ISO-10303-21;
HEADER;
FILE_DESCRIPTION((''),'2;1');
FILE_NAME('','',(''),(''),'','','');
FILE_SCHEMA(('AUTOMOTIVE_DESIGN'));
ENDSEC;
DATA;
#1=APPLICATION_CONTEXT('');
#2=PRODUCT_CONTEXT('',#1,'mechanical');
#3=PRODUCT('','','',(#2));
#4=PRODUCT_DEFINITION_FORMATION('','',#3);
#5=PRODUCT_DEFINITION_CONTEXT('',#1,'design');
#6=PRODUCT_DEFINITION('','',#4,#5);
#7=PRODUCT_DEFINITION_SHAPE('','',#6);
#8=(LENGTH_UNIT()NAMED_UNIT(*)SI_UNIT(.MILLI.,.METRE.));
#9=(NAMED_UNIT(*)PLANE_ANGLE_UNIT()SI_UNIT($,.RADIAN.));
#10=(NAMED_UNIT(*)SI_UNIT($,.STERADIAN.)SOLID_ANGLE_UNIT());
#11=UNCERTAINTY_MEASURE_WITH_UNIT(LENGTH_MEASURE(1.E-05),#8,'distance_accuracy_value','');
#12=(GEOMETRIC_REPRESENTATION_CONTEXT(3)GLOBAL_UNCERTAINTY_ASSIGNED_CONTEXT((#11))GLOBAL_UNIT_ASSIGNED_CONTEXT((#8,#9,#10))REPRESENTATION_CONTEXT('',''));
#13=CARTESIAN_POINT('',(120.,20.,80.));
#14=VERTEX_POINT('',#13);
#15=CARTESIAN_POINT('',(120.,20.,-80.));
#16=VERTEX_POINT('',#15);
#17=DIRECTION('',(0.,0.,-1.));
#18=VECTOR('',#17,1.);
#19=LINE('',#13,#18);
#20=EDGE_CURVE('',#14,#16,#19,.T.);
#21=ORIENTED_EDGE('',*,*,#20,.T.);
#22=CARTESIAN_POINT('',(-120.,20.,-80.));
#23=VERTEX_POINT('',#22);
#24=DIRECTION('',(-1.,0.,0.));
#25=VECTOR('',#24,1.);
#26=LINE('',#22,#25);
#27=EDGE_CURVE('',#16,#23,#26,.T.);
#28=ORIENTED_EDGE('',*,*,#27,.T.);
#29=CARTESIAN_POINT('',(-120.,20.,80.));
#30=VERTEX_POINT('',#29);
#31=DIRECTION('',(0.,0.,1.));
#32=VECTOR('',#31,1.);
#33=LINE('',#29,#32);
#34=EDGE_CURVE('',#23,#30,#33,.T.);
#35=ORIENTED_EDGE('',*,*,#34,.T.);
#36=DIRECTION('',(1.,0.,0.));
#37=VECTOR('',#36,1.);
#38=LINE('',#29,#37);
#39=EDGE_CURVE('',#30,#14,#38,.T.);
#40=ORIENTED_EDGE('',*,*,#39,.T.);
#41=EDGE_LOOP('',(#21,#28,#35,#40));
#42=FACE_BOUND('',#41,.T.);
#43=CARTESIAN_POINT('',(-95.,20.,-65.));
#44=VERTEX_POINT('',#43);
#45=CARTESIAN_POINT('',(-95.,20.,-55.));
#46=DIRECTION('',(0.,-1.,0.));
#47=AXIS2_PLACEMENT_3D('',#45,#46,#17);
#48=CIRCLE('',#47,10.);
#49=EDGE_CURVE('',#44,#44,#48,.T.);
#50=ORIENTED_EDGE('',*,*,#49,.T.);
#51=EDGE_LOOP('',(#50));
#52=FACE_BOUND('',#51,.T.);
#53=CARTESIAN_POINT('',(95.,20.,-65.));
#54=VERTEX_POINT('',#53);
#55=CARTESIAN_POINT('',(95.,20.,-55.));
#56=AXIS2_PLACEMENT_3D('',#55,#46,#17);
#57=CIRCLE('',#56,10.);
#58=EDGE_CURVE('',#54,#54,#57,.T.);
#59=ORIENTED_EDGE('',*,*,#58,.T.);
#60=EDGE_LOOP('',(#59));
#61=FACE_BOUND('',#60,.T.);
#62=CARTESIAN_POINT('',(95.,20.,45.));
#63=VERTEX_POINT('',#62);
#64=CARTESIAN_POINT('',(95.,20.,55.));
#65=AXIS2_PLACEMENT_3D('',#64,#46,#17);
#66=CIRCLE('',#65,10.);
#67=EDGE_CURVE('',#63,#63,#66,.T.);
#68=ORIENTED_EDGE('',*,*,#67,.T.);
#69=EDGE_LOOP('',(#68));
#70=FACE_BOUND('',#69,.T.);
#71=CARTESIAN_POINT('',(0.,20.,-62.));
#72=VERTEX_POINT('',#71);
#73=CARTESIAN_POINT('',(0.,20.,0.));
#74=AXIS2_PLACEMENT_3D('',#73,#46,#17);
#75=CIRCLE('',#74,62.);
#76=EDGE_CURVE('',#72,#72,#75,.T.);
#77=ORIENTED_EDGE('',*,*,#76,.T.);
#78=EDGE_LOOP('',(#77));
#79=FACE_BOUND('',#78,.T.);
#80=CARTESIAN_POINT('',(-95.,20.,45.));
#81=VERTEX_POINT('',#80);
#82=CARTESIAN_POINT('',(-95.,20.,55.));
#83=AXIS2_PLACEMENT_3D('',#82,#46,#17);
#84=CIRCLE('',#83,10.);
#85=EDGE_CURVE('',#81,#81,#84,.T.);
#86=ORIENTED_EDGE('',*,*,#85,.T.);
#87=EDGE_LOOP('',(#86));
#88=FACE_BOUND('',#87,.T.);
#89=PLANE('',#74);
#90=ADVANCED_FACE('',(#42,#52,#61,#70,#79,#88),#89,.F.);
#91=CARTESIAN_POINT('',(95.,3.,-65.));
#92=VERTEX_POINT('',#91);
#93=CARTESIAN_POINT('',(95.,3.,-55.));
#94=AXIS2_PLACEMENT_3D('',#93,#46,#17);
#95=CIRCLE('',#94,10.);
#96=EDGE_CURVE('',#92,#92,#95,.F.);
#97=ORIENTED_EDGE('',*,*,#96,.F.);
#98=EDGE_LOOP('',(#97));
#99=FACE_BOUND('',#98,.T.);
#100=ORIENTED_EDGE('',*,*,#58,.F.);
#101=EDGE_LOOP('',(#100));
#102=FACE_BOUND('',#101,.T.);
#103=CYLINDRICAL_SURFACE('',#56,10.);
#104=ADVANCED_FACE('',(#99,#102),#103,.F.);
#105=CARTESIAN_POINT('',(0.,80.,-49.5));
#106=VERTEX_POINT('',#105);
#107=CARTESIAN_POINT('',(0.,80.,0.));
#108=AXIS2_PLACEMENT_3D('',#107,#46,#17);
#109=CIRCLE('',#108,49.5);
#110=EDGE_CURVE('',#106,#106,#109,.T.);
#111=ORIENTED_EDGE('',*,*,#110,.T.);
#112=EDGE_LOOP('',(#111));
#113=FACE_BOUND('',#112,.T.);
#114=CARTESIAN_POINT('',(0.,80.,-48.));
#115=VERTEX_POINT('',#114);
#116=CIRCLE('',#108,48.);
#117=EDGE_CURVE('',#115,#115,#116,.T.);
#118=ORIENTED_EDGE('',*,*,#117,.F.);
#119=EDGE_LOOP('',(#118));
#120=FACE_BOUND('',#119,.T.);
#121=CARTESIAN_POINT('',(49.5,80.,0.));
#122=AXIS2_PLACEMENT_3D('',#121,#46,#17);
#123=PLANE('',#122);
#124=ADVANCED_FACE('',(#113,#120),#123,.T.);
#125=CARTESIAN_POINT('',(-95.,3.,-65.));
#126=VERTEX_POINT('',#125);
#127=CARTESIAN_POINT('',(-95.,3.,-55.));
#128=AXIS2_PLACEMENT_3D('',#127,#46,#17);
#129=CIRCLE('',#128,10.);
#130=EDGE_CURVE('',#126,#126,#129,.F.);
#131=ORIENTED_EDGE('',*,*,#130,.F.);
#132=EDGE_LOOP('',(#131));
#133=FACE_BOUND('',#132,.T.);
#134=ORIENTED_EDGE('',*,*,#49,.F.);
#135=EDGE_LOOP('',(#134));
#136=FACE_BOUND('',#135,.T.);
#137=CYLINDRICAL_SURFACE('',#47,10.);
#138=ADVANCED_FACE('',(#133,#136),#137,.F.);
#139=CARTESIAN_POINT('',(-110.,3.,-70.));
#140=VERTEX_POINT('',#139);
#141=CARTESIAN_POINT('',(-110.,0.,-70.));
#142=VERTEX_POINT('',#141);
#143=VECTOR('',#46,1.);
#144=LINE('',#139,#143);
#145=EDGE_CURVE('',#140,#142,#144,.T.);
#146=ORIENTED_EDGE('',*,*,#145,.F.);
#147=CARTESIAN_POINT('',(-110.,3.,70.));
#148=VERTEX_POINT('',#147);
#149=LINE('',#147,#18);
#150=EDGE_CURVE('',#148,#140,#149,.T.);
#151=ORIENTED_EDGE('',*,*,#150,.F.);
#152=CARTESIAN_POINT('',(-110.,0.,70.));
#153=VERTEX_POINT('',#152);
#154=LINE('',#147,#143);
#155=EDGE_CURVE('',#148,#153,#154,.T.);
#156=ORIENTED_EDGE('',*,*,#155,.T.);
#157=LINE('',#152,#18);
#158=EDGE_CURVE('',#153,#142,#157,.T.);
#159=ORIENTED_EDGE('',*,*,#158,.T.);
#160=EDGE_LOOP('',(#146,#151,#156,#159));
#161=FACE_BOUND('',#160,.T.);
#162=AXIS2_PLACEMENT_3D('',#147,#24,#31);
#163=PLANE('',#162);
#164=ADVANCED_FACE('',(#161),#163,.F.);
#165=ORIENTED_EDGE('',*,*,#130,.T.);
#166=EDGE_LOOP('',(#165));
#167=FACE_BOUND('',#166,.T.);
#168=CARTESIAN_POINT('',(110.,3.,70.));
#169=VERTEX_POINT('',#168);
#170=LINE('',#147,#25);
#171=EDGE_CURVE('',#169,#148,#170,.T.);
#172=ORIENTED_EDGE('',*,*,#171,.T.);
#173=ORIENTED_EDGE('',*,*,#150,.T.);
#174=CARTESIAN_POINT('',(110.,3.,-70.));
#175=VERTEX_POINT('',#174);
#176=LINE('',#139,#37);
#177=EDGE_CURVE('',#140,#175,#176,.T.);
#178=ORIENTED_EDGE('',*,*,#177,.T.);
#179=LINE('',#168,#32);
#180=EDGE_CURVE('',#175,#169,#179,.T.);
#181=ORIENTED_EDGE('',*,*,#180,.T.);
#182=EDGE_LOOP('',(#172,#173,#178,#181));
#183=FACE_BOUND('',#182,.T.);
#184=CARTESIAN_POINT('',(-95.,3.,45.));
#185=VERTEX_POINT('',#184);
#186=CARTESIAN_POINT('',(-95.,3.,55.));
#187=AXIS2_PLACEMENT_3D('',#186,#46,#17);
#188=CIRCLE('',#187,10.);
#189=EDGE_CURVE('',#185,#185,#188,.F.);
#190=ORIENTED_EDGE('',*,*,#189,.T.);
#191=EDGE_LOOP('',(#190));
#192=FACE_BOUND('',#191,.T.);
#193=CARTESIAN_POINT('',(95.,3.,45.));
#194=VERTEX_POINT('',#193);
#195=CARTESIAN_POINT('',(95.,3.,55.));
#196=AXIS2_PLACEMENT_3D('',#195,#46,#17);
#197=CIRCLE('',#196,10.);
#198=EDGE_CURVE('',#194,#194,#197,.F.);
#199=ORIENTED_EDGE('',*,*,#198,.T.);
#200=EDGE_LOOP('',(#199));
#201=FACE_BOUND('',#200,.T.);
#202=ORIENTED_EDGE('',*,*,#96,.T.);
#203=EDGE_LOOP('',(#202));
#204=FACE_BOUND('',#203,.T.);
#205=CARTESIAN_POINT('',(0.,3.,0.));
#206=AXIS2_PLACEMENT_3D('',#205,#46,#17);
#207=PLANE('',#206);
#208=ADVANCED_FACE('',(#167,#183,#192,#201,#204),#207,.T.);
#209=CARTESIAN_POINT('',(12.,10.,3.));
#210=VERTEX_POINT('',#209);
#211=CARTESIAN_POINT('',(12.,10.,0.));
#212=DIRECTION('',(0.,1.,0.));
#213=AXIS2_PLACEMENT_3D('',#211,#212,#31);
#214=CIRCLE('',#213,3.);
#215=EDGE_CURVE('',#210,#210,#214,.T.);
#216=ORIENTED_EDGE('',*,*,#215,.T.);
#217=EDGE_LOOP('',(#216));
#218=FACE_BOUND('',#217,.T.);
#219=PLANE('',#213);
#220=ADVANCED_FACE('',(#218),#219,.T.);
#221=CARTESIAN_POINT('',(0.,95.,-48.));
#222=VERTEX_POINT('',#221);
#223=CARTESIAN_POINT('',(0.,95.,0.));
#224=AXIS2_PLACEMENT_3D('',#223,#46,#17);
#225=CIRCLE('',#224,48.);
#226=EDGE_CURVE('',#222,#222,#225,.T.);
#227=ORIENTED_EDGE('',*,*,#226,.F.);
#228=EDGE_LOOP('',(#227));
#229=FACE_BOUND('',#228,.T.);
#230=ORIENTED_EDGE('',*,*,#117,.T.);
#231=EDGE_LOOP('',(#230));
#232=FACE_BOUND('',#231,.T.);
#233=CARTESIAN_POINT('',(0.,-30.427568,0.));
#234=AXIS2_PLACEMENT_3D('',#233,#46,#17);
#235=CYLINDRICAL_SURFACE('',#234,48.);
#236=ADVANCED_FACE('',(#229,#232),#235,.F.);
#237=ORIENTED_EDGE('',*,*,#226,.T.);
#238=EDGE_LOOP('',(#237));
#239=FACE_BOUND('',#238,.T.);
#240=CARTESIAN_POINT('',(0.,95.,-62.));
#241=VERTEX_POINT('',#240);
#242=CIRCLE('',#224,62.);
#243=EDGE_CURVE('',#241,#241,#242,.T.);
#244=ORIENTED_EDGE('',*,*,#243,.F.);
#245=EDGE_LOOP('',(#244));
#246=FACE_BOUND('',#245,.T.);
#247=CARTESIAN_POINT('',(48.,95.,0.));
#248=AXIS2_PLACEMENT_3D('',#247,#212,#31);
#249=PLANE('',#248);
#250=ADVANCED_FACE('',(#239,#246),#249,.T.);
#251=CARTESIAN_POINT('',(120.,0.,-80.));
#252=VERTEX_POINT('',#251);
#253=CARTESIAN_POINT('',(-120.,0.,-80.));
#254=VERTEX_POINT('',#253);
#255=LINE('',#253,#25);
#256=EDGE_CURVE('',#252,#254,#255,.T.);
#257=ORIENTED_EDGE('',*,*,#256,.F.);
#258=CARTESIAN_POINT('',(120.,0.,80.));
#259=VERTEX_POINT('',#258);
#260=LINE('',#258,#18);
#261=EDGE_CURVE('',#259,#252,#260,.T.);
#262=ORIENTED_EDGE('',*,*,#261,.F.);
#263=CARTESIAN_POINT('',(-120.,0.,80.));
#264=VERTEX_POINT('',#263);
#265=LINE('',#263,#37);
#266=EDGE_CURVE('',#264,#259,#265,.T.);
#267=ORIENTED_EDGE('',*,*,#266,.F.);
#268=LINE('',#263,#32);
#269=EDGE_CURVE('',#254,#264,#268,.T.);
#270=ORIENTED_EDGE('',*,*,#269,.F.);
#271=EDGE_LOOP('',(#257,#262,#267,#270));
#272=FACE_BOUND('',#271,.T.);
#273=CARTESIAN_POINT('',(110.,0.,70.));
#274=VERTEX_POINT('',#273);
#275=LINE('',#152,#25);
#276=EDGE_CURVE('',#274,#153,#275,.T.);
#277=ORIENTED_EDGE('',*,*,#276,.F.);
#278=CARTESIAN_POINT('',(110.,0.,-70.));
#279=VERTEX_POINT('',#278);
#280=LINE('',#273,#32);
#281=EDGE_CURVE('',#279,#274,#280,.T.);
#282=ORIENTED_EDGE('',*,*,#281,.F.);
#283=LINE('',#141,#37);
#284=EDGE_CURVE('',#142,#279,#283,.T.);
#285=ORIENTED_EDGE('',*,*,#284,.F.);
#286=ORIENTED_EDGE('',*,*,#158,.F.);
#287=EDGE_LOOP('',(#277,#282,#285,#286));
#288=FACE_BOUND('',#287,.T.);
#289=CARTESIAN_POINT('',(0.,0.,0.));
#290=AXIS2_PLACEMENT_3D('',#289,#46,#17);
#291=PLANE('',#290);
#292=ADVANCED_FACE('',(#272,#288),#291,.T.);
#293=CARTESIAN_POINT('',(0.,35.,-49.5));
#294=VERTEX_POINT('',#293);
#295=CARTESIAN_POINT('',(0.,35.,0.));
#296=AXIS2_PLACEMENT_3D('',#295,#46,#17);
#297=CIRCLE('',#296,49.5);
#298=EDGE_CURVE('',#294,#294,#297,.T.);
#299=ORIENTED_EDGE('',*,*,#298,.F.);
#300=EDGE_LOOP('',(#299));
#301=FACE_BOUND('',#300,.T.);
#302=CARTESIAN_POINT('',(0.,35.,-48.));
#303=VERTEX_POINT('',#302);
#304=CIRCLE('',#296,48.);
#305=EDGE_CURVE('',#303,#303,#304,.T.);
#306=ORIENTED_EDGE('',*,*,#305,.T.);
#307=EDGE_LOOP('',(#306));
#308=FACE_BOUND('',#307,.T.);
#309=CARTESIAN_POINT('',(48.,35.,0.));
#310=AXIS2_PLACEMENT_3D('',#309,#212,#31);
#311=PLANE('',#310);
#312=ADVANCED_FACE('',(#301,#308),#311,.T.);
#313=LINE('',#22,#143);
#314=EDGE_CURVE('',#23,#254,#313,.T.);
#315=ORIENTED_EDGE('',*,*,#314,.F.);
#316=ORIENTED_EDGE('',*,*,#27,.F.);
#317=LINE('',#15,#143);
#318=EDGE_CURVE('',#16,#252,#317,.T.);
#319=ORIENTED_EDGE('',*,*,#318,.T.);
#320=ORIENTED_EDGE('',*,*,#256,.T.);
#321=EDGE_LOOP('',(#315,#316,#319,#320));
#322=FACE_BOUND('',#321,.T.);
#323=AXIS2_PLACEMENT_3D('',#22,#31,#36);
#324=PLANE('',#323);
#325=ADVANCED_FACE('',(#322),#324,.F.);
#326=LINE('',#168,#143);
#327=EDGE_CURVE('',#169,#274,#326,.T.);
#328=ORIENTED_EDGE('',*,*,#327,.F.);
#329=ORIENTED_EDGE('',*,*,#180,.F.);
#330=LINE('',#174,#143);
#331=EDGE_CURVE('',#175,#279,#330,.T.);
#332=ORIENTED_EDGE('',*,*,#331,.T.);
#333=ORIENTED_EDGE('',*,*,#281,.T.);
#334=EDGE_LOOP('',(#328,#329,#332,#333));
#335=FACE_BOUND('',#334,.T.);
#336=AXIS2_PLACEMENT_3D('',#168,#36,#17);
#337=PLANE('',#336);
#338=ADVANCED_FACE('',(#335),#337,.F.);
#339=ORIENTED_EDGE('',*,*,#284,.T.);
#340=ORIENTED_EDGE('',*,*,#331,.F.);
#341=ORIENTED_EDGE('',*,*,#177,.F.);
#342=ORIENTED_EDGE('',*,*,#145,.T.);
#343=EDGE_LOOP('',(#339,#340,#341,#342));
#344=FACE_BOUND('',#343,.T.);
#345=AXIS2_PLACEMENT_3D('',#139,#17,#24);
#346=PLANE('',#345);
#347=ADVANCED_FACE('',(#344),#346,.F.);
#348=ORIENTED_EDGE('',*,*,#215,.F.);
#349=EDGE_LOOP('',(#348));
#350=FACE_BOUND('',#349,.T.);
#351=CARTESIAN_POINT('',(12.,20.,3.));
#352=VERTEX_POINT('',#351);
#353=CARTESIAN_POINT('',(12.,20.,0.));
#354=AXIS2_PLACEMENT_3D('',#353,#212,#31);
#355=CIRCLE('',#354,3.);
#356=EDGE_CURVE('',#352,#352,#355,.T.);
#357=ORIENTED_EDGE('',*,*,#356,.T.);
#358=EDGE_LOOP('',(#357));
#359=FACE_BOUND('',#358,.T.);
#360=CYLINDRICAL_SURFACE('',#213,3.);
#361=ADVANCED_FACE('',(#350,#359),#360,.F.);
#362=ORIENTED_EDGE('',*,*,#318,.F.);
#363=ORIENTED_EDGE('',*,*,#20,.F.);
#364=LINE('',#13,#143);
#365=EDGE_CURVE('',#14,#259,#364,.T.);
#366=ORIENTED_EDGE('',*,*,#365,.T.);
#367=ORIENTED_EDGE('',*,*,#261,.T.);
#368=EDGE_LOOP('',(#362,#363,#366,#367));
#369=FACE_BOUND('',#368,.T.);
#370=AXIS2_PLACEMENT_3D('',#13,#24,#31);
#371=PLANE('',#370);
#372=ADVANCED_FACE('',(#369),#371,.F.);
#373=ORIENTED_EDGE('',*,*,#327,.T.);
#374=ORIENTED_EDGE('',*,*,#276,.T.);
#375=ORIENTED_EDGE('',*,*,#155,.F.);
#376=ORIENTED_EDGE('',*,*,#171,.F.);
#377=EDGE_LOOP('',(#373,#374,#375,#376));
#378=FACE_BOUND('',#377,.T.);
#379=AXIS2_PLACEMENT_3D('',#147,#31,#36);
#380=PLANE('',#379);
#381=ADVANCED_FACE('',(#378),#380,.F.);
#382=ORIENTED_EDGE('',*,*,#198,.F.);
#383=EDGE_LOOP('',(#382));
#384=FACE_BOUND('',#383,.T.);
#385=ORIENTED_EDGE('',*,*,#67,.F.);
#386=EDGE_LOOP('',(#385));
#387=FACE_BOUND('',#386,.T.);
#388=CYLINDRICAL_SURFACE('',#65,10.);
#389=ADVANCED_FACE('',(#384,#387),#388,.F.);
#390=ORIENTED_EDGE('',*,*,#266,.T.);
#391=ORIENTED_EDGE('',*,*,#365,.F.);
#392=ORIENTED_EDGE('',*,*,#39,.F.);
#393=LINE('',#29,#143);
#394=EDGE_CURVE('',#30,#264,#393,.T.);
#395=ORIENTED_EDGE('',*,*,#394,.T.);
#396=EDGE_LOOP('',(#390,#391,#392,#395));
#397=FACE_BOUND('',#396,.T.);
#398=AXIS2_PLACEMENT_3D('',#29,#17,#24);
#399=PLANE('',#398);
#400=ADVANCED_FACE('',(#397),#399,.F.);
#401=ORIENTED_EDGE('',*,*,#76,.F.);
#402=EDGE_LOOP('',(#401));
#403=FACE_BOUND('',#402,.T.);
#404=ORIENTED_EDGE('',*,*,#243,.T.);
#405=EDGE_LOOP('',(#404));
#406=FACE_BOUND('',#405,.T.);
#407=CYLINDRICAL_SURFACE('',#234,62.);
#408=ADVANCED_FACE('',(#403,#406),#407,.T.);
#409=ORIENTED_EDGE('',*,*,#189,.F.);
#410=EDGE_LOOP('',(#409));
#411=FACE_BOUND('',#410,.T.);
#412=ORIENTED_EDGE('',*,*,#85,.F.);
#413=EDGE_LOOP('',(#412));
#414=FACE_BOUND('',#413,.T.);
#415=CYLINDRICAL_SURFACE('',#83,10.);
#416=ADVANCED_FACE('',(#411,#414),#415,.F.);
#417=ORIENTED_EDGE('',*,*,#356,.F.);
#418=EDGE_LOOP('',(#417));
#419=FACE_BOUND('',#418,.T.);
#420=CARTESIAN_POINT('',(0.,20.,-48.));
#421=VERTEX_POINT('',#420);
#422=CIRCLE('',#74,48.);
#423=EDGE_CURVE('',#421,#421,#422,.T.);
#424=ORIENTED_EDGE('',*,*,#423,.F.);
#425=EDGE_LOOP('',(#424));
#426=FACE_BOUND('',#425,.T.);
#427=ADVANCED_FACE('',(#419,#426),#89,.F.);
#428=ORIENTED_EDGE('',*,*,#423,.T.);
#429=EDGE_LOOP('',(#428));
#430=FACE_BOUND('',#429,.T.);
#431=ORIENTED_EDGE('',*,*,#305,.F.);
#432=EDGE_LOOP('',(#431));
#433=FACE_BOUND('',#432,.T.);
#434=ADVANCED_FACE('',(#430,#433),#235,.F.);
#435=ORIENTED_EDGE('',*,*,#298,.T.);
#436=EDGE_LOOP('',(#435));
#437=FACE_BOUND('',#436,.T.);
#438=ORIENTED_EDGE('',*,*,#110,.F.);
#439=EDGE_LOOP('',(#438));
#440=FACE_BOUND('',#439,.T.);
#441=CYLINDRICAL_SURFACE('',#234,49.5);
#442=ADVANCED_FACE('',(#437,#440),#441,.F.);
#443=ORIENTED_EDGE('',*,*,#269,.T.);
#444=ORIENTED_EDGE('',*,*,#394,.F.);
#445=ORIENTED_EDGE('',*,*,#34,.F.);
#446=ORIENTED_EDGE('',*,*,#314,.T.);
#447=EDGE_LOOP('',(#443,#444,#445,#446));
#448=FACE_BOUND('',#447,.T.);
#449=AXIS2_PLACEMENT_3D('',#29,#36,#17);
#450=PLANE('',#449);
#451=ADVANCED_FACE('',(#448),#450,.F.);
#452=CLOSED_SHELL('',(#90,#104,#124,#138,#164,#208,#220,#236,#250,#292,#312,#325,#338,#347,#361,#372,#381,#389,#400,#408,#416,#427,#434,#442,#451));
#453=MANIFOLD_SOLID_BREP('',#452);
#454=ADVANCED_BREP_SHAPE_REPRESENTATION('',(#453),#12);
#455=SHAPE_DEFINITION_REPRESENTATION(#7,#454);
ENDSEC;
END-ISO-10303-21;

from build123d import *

# Parameters (mm, degrees)
SKETCH1_W           = 240
SKETCH1_H           = 160
BOSS_EXTRUDE2_DEPTH = 20
SKETCH5_R           = 10
CUT_EXTRUDE2_DEPTH  = 20
SKETCH6_W           = 220
SKETCH6_H           = 140
CUT_EXTRUDE3_DEPTH  = 3
SKETCH9_R           = 3
CUT_EXTRUDE4_DEPTH  = 10


with BuildPart() as part:
    # Sketch1 → Boss-Extrude2 (new body)
    with BuildSketch(Plane(origin=(0, 0, 0), x_dir=(1, 0, 0), z_dir=(0, 1, 0))):
        Rectangle(SKETCH1_W, SKETCH1_H)
    extrude(amount=BOSS_EXTRUDE2_DEPTH)

    # Sketch3 → Revolve1 (revolve)
    with BuildSketch(Plane.XY):
        Polygon((48, 20), (48, 35), (49.5, 35), (49.5, 80), (48, 80), (48, 95), (62, 95), (62, 20), align=None)
    revolve(axis=Axis((0, -30.427567953, 0), (0, 1, 0)))

    # Sketch5 → Cut-Extrude2 (cut)
    with BuildSketch(Plane.XZ):
        with Locations((95, 55)):
            Circle(SKETCH5_R)
        with Locations((-95, 55)):
            Circle(SKETCH5_R)
        with Locations((-95, -55)):
            Circle(SKETCH5_R)
        with Locations((95, -55)):
            Circle(SKETCH5_R)
    extrude(amount=-CUT_EXTRUDE2_DEPTH, mode=Mode.SUBTRACT)

    # Sketch6 → Cut-Extrude3 (cut)
    with BuildSketch(Plane.XZ):
        Rectangle(SKETCH6_W, SKETCH6_H)
    extrude(amount=-CUT_EXTRUDE3_DEPTH, mode=Mode.SUBTRACT)

    # Sketch9 → Cut-Extrude4 (cut)
    with BuildSketch(Plane(origin=(0, 20, 0), x_dir=(1, 0, 0), z_dir=(0, 1, 0))):
        with Locations((12, 0)):
            Circle(SKETCH9_R)
    extrude(amount=-CUT_EXTRUDE4_DEPTH, mode=Mode.SUBTRACT)


solid = part.part
